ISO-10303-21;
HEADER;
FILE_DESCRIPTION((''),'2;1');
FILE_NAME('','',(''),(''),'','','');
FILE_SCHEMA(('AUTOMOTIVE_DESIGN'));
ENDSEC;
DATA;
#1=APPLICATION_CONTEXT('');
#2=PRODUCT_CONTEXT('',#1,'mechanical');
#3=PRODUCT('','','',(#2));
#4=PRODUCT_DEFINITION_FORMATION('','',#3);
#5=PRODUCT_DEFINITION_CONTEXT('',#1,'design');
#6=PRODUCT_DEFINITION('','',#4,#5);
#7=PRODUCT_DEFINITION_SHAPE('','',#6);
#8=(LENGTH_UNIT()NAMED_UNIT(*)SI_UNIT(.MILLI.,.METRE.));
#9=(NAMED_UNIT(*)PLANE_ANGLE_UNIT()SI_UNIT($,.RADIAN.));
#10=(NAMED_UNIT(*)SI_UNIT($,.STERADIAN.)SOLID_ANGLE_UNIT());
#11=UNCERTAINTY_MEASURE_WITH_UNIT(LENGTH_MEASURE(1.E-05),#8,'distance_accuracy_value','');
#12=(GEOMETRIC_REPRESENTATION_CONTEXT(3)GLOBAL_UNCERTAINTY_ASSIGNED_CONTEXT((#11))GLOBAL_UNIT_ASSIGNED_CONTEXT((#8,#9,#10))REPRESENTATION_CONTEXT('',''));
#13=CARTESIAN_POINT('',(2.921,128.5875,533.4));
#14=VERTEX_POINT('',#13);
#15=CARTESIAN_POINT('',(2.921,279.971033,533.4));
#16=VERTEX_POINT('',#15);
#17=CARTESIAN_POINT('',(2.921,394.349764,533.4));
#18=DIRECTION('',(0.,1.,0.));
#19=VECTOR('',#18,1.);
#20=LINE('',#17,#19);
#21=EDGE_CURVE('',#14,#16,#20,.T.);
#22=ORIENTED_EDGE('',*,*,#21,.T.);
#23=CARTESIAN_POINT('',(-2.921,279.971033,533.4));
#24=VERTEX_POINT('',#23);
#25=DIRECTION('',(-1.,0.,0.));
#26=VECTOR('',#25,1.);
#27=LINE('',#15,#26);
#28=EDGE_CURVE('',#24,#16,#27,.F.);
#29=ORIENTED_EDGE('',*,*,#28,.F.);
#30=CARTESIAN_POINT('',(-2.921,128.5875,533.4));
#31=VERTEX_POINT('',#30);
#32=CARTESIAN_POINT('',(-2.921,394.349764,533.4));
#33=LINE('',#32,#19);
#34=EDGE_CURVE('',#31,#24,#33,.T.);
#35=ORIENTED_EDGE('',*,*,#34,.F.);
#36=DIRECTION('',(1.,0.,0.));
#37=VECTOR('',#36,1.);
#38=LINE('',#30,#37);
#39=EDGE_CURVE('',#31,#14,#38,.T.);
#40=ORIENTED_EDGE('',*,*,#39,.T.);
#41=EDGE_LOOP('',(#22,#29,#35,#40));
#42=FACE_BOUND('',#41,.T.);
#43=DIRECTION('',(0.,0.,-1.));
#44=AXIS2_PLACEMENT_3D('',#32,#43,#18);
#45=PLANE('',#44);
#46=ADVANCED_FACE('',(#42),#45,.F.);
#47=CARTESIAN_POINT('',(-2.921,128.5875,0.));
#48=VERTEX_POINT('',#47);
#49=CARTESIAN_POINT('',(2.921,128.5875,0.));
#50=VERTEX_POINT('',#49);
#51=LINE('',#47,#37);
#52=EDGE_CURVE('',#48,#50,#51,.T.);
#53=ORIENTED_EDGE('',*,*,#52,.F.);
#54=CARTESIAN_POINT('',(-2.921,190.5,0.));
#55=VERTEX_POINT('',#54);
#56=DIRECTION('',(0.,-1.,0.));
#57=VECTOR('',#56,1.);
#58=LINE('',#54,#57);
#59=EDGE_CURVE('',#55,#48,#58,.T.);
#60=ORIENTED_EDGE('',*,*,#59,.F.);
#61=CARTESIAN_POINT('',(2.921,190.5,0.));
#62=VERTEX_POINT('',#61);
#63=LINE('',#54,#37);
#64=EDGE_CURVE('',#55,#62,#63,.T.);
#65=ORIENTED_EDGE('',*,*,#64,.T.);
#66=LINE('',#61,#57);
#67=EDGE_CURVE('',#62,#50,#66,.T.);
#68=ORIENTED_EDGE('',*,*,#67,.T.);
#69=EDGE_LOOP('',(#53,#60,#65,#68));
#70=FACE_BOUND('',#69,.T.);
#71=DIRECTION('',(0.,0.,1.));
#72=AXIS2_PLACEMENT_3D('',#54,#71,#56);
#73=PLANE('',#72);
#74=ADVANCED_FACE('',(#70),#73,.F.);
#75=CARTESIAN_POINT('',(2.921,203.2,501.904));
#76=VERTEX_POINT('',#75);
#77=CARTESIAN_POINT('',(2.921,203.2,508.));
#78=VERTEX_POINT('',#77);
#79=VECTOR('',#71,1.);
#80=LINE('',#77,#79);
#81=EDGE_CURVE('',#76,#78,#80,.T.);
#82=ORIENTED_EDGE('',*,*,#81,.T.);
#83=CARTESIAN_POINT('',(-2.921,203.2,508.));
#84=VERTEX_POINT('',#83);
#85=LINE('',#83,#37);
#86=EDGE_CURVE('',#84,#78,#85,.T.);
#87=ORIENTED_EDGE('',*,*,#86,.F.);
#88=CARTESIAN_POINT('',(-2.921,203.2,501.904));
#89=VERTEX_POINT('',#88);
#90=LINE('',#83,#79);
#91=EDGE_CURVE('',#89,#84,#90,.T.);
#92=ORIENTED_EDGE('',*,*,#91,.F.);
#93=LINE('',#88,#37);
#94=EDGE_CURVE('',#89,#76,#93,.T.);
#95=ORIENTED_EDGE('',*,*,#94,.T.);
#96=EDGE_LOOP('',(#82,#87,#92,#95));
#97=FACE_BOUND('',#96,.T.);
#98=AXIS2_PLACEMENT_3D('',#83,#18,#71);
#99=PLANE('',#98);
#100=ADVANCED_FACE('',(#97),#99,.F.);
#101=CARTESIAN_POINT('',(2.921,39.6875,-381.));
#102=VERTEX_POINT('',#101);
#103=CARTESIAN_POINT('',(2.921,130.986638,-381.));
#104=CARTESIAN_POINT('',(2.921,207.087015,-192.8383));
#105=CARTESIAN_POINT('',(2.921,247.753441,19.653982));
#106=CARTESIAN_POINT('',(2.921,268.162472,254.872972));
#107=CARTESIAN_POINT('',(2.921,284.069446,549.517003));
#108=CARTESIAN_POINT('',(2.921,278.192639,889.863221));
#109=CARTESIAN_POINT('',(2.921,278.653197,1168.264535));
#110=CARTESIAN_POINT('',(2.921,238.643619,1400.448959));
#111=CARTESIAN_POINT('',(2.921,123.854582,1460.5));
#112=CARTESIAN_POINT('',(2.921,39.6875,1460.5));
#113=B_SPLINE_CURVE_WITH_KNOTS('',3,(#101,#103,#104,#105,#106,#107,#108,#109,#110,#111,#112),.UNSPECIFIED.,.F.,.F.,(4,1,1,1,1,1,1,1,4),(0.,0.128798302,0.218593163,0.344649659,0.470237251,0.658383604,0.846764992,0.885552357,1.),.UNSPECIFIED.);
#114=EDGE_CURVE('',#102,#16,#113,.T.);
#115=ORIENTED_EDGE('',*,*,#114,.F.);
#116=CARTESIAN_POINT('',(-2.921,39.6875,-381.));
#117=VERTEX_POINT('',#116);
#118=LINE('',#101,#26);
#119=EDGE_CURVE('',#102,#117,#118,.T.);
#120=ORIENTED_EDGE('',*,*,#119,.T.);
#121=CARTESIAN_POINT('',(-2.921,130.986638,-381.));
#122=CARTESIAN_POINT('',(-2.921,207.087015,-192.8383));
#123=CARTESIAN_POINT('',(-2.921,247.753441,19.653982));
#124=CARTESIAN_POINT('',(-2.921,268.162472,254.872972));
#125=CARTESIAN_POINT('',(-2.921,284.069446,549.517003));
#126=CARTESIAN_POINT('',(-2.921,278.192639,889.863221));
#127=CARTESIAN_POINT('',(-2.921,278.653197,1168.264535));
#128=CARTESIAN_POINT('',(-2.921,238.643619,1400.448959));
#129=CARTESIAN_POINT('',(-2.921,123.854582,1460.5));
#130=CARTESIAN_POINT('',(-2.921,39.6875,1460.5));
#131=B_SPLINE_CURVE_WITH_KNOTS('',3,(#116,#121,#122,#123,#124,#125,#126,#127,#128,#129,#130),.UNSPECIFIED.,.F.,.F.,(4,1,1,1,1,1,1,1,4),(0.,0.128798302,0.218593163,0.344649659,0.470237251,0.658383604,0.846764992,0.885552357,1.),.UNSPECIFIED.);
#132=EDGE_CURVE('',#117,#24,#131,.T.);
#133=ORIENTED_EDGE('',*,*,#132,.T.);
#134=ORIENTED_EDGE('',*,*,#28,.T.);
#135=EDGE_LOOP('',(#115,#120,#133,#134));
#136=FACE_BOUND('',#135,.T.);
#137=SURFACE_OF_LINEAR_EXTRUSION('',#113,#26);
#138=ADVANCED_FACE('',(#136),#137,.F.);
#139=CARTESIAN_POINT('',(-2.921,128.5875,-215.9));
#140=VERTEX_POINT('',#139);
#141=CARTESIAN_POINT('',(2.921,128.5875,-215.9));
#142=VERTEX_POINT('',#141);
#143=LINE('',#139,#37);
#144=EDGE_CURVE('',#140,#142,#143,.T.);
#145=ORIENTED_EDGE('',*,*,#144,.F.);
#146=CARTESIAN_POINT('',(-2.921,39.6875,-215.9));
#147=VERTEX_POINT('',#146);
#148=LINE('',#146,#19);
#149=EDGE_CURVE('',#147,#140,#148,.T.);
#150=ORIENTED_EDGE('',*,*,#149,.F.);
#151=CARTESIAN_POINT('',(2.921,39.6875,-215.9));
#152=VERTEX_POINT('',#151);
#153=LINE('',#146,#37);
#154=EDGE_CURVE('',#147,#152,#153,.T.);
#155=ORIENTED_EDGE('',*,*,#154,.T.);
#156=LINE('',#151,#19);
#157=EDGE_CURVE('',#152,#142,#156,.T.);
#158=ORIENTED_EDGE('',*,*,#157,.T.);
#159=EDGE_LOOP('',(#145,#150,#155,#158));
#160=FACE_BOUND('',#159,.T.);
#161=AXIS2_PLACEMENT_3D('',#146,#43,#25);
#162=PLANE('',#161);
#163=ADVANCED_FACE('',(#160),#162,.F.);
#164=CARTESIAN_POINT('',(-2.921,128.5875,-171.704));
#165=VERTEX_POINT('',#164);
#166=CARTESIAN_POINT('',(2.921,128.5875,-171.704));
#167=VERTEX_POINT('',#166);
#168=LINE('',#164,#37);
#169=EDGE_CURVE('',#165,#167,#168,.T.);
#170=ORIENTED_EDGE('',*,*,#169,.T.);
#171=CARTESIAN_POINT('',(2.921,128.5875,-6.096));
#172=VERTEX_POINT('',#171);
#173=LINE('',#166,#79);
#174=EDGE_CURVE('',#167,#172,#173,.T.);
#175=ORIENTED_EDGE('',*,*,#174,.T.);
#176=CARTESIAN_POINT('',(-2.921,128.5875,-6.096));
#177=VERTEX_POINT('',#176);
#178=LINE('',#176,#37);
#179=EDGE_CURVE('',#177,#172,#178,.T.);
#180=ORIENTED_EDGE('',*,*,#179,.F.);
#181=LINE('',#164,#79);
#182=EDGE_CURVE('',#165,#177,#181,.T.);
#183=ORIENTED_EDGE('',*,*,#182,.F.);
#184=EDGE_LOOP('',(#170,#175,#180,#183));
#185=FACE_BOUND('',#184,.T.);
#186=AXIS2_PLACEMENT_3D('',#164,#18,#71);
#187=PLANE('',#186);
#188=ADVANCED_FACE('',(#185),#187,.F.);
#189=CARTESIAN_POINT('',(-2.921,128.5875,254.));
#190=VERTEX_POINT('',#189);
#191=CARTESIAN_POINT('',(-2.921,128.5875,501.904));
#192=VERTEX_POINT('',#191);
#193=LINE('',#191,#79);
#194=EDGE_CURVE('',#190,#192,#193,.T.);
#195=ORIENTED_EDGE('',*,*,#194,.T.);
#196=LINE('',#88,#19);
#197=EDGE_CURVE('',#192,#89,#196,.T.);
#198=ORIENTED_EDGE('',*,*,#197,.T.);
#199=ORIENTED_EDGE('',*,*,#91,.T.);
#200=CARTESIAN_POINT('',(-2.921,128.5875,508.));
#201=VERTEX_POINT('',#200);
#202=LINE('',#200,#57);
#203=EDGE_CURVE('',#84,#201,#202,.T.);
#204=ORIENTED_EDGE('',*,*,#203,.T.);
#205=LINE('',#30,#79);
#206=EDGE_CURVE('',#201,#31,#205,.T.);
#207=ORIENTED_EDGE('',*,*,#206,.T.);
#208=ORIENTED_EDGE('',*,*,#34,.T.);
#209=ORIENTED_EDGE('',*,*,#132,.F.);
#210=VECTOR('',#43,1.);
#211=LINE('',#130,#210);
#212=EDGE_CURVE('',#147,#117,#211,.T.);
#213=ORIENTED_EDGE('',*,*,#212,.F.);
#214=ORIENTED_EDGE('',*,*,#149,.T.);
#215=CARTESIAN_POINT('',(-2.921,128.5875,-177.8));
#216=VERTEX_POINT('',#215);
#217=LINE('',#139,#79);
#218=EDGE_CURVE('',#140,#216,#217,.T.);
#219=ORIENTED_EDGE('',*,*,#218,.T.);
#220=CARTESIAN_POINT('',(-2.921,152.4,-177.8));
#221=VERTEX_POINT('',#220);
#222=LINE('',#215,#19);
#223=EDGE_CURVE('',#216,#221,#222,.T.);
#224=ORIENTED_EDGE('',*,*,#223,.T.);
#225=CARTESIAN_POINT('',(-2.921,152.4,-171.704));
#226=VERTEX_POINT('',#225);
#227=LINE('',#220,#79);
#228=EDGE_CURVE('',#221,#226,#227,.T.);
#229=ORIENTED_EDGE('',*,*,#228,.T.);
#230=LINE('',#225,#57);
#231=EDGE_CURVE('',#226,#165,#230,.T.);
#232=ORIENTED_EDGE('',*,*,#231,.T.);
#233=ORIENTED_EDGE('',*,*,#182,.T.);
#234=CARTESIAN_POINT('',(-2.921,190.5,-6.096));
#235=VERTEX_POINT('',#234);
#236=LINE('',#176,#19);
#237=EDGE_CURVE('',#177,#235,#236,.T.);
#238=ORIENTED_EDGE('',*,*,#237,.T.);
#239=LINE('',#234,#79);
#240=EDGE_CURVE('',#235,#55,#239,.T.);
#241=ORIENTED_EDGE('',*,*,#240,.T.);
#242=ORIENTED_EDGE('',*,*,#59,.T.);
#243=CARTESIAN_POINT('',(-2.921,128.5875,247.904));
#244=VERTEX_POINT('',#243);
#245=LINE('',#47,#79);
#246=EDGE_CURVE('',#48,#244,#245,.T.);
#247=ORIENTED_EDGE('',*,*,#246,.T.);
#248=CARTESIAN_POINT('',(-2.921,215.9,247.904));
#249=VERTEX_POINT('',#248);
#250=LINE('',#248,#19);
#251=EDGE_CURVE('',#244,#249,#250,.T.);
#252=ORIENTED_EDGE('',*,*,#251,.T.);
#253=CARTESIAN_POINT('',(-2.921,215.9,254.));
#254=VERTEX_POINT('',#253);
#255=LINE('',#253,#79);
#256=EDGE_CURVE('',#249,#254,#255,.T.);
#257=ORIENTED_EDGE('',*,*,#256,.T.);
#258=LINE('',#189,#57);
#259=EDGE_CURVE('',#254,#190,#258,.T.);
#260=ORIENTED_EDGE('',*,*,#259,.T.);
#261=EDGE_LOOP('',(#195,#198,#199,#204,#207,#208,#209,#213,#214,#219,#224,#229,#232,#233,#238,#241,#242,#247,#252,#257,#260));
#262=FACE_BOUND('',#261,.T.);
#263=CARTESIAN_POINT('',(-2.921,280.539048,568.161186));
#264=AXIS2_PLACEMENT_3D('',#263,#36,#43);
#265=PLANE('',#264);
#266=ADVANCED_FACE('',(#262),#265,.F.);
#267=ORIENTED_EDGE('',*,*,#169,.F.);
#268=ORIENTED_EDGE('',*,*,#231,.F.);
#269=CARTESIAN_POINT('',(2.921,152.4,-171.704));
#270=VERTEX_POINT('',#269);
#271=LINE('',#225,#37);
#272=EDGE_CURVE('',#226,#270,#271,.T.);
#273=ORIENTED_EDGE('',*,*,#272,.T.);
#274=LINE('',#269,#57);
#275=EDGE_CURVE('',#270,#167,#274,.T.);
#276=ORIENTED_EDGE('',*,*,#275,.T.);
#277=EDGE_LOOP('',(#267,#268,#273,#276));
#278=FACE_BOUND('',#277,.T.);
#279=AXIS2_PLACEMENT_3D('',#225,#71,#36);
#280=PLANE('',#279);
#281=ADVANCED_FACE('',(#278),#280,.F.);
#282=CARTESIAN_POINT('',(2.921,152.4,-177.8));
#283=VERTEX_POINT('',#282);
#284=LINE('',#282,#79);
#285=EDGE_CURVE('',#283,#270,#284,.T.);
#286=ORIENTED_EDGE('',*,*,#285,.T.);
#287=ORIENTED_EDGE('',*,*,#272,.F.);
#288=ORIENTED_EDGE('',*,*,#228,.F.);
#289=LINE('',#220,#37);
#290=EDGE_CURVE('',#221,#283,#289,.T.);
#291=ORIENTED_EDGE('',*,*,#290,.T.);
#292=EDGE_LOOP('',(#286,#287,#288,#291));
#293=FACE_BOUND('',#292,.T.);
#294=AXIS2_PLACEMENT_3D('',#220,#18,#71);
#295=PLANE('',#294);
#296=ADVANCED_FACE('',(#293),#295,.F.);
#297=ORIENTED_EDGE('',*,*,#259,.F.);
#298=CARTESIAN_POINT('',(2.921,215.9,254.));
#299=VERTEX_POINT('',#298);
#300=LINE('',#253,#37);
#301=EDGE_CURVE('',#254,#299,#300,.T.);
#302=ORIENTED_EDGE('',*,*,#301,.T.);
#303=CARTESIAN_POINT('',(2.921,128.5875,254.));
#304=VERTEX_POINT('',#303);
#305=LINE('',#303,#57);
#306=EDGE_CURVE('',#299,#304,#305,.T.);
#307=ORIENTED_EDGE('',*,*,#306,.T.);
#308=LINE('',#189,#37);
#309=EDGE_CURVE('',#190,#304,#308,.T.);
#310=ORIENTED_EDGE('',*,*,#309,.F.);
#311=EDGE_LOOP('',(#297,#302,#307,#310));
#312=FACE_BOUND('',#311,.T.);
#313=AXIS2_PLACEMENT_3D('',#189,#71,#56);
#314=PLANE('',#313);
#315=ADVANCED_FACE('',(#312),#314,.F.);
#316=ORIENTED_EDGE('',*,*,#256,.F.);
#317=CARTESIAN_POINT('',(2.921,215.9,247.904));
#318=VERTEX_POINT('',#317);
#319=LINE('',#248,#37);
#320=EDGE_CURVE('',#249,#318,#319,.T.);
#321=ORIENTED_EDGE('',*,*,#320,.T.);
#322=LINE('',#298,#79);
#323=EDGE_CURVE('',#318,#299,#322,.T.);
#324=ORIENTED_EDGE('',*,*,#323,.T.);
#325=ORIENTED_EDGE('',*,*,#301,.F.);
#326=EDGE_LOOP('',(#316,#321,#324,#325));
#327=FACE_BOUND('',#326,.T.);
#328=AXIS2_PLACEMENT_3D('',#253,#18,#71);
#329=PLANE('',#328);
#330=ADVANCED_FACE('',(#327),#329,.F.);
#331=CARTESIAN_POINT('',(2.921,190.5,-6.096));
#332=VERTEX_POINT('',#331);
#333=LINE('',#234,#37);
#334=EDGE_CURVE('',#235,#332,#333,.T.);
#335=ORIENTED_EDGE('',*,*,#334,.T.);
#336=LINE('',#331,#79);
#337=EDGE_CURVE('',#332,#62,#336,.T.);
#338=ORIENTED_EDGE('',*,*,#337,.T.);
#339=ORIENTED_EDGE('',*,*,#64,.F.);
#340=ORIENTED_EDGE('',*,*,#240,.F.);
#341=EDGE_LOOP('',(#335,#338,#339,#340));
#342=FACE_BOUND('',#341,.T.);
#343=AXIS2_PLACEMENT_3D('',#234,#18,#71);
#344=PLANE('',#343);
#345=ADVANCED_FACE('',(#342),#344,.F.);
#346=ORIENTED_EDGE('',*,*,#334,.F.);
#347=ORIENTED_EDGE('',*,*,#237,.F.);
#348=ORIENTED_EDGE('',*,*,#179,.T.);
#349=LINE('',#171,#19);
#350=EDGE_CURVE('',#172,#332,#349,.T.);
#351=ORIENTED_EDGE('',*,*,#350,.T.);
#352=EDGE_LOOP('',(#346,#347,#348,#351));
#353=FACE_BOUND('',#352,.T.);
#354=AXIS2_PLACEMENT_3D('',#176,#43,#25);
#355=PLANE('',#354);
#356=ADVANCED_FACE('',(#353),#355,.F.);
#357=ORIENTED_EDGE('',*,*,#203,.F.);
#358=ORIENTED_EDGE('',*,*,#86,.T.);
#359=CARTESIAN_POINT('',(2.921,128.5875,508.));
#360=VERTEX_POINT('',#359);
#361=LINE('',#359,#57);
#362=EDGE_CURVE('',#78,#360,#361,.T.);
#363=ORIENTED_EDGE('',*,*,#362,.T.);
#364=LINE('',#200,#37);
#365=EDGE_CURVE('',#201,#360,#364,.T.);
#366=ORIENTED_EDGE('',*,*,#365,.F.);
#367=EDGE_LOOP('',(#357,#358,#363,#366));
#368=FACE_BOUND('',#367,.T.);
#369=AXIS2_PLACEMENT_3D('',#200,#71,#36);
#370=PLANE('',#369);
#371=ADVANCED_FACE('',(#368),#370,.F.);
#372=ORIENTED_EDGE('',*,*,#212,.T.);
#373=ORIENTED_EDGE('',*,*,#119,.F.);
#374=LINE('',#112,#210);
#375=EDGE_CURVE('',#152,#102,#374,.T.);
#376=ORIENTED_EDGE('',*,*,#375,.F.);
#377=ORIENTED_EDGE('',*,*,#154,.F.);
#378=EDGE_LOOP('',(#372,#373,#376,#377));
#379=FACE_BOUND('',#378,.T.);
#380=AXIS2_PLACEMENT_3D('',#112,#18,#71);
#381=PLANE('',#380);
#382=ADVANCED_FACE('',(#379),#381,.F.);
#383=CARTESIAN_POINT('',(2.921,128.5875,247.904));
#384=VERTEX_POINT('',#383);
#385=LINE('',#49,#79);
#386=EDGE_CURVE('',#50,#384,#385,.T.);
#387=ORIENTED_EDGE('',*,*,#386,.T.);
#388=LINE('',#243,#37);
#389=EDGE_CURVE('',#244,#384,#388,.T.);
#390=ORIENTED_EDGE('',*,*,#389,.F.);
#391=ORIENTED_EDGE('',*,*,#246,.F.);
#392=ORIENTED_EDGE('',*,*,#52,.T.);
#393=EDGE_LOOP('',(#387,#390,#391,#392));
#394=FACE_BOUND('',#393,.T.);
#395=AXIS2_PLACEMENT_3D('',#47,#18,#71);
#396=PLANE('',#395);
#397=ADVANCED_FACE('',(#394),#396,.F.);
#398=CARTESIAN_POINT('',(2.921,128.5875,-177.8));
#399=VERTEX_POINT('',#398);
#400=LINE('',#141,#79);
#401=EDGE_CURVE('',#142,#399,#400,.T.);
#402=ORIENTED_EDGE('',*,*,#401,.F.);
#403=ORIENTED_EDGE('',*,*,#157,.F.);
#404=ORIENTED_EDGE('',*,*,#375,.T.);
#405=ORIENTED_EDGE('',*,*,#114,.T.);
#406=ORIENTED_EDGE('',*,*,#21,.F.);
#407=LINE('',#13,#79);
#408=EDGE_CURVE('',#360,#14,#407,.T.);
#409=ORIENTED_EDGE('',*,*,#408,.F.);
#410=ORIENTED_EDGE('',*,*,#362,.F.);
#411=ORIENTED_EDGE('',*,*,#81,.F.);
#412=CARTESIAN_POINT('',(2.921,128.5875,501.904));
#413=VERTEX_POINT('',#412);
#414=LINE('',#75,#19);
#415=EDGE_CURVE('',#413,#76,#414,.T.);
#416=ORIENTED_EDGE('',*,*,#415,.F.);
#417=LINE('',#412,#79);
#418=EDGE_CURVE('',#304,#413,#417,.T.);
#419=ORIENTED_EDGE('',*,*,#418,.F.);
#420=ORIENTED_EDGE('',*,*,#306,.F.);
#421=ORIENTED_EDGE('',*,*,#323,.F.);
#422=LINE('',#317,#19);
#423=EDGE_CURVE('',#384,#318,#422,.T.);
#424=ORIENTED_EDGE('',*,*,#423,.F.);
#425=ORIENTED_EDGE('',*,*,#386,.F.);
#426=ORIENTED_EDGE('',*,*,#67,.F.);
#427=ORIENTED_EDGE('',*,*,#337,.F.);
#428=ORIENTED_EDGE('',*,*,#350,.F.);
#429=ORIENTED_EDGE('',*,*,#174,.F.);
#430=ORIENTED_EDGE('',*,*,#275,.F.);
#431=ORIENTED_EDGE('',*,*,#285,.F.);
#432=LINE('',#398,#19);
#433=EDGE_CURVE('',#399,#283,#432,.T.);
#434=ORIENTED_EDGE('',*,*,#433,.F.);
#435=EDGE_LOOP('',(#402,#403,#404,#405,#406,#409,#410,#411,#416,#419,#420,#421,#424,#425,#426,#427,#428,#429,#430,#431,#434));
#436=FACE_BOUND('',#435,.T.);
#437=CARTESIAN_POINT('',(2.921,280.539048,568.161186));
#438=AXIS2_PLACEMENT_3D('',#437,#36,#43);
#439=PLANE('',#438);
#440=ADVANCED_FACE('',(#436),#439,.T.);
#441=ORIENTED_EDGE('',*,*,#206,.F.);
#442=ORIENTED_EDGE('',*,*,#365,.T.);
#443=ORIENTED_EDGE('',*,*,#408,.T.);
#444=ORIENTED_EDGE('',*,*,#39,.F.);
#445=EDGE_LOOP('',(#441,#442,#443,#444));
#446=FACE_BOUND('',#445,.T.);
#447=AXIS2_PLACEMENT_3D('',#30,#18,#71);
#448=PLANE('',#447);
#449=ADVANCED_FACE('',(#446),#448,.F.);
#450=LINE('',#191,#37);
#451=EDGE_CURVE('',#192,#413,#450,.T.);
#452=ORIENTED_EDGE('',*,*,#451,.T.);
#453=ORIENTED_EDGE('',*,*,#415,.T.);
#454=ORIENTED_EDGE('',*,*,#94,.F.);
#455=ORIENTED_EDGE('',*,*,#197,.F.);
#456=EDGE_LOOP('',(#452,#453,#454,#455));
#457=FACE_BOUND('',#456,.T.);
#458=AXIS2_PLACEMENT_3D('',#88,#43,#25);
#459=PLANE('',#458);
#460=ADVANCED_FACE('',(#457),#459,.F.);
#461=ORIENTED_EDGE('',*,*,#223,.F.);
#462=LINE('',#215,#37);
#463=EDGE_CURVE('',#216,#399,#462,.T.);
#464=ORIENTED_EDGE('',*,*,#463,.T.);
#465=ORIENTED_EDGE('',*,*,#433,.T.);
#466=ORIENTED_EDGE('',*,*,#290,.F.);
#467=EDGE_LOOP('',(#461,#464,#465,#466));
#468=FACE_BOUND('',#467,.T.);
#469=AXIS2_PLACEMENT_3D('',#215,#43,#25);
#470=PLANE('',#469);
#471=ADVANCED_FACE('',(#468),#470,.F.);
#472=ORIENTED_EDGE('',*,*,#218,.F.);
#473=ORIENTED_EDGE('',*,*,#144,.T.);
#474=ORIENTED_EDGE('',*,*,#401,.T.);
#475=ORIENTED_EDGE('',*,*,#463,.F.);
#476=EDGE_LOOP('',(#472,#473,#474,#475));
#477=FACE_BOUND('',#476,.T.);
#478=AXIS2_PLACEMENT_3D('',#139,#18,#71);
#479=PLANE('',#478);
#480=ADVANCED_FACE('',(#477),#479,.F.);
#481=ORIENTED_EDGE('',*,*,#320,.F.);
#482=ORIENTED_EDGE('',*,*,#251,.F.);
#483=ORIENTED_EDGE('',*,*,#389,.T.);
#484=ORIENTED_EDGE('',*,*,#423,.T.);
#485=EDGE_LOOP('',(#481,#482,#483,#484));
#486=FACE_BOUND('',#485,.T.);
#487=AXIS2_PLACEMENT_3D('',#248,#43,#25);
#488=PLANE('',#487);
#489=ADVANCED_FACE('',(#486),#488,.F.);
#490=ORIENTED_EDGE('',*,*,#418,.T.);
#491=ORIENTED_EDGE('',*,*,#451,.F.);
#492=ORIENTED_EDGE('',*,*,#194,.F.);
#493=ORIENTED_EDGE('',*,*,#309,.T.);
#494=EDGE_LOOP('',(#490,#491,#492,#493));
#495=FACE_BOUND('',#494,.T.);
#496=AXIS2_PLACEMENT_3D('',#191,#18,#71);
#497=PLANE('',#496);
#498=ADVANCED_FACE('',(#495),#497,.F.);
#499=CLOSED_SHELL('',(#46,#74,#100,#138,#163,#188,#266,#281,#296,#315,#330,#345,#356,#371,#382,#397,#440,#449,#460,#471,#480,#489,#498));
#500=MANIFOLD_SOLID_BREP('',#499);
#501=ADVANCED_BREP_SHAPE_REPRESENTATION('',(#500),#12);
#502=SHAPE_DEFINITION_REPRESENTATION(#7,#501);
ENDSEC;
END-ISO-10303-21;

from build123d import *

# Parameters (mm, degrees)
BOSS_EXTRUDE1_DEPTH = 2.921
CUT_EXTRUDE1_DEPTH  = 1488.311355111


with BuildPart() as part:
    # Sketch2 → Boss-Extrude1 (new, symmetric)
    with BuildSketch(Plane(origin=(0, 0, 0), x_dir=(0, 0, -1), z_dir=(1, 0, 0))):
        with BuildLine():
            Line((-1460.5, 39.6875), (381, 39.6875))
            add(Edge.make_bspline(
                [(-1460.5, 39.6875), (-1460.5, 123.854582151), (-1400.448958782, 238.643618873), (-1168.264534851, 278.653196971), (-889.863220578, 278.192638574), (-549.517003244, 284.069445788), (-254.872972463, 268.16247247), (-19.653982034, 247.753440535), (192.838300002, 207.087014824), (381, 130.986638489), (381, 39.6875)],
                knots=[0, 0, 0, 0, 0.114447643, 0.153235008, 0.341616396, 0.529762749, 0.655350341, 0.781406837, 0.871201698, 1, 1, 1, 1], degree=3))
        make_face()
    extrude(amount=BOSS_EXTRUDE1_DEPTH, both=True)

    # Sketch3 → Cut-Extrude1 (cut, through all)
    with BuildSketch(Plane(origin=(2.921, 0, 0), x_dir=(0, 0, -1), z_dir=(1, 0, 0))):
        Polygon((215.9, 39.6875), (215.9, 128.5875), (177.8, 128.5875), (177.8, 152.4), (171.704, 152.4), (171.704, 128.5875), (6.096, 128.5875), (6.096, 190.5), (0, 190.5), (0, 128.5875), (-247.904, 128.5875), (-247.904, 215.9), (-254, 215.9), (-254, 128.5875), (-501.904, 128.5875), (-501.904, 203.2), (-508, 203.2), (-508, 128.5875), (-533.4, 128.5875), (-533.4, 394.349763682), (-1608.850266825, 394.349763682), (-1608.850266825, 39.6875), align=None)
    extrude(amount=-CUT_EXTRUDE1_DEPTH, mode=Mode.SUBTRACT)


solid = part.part
